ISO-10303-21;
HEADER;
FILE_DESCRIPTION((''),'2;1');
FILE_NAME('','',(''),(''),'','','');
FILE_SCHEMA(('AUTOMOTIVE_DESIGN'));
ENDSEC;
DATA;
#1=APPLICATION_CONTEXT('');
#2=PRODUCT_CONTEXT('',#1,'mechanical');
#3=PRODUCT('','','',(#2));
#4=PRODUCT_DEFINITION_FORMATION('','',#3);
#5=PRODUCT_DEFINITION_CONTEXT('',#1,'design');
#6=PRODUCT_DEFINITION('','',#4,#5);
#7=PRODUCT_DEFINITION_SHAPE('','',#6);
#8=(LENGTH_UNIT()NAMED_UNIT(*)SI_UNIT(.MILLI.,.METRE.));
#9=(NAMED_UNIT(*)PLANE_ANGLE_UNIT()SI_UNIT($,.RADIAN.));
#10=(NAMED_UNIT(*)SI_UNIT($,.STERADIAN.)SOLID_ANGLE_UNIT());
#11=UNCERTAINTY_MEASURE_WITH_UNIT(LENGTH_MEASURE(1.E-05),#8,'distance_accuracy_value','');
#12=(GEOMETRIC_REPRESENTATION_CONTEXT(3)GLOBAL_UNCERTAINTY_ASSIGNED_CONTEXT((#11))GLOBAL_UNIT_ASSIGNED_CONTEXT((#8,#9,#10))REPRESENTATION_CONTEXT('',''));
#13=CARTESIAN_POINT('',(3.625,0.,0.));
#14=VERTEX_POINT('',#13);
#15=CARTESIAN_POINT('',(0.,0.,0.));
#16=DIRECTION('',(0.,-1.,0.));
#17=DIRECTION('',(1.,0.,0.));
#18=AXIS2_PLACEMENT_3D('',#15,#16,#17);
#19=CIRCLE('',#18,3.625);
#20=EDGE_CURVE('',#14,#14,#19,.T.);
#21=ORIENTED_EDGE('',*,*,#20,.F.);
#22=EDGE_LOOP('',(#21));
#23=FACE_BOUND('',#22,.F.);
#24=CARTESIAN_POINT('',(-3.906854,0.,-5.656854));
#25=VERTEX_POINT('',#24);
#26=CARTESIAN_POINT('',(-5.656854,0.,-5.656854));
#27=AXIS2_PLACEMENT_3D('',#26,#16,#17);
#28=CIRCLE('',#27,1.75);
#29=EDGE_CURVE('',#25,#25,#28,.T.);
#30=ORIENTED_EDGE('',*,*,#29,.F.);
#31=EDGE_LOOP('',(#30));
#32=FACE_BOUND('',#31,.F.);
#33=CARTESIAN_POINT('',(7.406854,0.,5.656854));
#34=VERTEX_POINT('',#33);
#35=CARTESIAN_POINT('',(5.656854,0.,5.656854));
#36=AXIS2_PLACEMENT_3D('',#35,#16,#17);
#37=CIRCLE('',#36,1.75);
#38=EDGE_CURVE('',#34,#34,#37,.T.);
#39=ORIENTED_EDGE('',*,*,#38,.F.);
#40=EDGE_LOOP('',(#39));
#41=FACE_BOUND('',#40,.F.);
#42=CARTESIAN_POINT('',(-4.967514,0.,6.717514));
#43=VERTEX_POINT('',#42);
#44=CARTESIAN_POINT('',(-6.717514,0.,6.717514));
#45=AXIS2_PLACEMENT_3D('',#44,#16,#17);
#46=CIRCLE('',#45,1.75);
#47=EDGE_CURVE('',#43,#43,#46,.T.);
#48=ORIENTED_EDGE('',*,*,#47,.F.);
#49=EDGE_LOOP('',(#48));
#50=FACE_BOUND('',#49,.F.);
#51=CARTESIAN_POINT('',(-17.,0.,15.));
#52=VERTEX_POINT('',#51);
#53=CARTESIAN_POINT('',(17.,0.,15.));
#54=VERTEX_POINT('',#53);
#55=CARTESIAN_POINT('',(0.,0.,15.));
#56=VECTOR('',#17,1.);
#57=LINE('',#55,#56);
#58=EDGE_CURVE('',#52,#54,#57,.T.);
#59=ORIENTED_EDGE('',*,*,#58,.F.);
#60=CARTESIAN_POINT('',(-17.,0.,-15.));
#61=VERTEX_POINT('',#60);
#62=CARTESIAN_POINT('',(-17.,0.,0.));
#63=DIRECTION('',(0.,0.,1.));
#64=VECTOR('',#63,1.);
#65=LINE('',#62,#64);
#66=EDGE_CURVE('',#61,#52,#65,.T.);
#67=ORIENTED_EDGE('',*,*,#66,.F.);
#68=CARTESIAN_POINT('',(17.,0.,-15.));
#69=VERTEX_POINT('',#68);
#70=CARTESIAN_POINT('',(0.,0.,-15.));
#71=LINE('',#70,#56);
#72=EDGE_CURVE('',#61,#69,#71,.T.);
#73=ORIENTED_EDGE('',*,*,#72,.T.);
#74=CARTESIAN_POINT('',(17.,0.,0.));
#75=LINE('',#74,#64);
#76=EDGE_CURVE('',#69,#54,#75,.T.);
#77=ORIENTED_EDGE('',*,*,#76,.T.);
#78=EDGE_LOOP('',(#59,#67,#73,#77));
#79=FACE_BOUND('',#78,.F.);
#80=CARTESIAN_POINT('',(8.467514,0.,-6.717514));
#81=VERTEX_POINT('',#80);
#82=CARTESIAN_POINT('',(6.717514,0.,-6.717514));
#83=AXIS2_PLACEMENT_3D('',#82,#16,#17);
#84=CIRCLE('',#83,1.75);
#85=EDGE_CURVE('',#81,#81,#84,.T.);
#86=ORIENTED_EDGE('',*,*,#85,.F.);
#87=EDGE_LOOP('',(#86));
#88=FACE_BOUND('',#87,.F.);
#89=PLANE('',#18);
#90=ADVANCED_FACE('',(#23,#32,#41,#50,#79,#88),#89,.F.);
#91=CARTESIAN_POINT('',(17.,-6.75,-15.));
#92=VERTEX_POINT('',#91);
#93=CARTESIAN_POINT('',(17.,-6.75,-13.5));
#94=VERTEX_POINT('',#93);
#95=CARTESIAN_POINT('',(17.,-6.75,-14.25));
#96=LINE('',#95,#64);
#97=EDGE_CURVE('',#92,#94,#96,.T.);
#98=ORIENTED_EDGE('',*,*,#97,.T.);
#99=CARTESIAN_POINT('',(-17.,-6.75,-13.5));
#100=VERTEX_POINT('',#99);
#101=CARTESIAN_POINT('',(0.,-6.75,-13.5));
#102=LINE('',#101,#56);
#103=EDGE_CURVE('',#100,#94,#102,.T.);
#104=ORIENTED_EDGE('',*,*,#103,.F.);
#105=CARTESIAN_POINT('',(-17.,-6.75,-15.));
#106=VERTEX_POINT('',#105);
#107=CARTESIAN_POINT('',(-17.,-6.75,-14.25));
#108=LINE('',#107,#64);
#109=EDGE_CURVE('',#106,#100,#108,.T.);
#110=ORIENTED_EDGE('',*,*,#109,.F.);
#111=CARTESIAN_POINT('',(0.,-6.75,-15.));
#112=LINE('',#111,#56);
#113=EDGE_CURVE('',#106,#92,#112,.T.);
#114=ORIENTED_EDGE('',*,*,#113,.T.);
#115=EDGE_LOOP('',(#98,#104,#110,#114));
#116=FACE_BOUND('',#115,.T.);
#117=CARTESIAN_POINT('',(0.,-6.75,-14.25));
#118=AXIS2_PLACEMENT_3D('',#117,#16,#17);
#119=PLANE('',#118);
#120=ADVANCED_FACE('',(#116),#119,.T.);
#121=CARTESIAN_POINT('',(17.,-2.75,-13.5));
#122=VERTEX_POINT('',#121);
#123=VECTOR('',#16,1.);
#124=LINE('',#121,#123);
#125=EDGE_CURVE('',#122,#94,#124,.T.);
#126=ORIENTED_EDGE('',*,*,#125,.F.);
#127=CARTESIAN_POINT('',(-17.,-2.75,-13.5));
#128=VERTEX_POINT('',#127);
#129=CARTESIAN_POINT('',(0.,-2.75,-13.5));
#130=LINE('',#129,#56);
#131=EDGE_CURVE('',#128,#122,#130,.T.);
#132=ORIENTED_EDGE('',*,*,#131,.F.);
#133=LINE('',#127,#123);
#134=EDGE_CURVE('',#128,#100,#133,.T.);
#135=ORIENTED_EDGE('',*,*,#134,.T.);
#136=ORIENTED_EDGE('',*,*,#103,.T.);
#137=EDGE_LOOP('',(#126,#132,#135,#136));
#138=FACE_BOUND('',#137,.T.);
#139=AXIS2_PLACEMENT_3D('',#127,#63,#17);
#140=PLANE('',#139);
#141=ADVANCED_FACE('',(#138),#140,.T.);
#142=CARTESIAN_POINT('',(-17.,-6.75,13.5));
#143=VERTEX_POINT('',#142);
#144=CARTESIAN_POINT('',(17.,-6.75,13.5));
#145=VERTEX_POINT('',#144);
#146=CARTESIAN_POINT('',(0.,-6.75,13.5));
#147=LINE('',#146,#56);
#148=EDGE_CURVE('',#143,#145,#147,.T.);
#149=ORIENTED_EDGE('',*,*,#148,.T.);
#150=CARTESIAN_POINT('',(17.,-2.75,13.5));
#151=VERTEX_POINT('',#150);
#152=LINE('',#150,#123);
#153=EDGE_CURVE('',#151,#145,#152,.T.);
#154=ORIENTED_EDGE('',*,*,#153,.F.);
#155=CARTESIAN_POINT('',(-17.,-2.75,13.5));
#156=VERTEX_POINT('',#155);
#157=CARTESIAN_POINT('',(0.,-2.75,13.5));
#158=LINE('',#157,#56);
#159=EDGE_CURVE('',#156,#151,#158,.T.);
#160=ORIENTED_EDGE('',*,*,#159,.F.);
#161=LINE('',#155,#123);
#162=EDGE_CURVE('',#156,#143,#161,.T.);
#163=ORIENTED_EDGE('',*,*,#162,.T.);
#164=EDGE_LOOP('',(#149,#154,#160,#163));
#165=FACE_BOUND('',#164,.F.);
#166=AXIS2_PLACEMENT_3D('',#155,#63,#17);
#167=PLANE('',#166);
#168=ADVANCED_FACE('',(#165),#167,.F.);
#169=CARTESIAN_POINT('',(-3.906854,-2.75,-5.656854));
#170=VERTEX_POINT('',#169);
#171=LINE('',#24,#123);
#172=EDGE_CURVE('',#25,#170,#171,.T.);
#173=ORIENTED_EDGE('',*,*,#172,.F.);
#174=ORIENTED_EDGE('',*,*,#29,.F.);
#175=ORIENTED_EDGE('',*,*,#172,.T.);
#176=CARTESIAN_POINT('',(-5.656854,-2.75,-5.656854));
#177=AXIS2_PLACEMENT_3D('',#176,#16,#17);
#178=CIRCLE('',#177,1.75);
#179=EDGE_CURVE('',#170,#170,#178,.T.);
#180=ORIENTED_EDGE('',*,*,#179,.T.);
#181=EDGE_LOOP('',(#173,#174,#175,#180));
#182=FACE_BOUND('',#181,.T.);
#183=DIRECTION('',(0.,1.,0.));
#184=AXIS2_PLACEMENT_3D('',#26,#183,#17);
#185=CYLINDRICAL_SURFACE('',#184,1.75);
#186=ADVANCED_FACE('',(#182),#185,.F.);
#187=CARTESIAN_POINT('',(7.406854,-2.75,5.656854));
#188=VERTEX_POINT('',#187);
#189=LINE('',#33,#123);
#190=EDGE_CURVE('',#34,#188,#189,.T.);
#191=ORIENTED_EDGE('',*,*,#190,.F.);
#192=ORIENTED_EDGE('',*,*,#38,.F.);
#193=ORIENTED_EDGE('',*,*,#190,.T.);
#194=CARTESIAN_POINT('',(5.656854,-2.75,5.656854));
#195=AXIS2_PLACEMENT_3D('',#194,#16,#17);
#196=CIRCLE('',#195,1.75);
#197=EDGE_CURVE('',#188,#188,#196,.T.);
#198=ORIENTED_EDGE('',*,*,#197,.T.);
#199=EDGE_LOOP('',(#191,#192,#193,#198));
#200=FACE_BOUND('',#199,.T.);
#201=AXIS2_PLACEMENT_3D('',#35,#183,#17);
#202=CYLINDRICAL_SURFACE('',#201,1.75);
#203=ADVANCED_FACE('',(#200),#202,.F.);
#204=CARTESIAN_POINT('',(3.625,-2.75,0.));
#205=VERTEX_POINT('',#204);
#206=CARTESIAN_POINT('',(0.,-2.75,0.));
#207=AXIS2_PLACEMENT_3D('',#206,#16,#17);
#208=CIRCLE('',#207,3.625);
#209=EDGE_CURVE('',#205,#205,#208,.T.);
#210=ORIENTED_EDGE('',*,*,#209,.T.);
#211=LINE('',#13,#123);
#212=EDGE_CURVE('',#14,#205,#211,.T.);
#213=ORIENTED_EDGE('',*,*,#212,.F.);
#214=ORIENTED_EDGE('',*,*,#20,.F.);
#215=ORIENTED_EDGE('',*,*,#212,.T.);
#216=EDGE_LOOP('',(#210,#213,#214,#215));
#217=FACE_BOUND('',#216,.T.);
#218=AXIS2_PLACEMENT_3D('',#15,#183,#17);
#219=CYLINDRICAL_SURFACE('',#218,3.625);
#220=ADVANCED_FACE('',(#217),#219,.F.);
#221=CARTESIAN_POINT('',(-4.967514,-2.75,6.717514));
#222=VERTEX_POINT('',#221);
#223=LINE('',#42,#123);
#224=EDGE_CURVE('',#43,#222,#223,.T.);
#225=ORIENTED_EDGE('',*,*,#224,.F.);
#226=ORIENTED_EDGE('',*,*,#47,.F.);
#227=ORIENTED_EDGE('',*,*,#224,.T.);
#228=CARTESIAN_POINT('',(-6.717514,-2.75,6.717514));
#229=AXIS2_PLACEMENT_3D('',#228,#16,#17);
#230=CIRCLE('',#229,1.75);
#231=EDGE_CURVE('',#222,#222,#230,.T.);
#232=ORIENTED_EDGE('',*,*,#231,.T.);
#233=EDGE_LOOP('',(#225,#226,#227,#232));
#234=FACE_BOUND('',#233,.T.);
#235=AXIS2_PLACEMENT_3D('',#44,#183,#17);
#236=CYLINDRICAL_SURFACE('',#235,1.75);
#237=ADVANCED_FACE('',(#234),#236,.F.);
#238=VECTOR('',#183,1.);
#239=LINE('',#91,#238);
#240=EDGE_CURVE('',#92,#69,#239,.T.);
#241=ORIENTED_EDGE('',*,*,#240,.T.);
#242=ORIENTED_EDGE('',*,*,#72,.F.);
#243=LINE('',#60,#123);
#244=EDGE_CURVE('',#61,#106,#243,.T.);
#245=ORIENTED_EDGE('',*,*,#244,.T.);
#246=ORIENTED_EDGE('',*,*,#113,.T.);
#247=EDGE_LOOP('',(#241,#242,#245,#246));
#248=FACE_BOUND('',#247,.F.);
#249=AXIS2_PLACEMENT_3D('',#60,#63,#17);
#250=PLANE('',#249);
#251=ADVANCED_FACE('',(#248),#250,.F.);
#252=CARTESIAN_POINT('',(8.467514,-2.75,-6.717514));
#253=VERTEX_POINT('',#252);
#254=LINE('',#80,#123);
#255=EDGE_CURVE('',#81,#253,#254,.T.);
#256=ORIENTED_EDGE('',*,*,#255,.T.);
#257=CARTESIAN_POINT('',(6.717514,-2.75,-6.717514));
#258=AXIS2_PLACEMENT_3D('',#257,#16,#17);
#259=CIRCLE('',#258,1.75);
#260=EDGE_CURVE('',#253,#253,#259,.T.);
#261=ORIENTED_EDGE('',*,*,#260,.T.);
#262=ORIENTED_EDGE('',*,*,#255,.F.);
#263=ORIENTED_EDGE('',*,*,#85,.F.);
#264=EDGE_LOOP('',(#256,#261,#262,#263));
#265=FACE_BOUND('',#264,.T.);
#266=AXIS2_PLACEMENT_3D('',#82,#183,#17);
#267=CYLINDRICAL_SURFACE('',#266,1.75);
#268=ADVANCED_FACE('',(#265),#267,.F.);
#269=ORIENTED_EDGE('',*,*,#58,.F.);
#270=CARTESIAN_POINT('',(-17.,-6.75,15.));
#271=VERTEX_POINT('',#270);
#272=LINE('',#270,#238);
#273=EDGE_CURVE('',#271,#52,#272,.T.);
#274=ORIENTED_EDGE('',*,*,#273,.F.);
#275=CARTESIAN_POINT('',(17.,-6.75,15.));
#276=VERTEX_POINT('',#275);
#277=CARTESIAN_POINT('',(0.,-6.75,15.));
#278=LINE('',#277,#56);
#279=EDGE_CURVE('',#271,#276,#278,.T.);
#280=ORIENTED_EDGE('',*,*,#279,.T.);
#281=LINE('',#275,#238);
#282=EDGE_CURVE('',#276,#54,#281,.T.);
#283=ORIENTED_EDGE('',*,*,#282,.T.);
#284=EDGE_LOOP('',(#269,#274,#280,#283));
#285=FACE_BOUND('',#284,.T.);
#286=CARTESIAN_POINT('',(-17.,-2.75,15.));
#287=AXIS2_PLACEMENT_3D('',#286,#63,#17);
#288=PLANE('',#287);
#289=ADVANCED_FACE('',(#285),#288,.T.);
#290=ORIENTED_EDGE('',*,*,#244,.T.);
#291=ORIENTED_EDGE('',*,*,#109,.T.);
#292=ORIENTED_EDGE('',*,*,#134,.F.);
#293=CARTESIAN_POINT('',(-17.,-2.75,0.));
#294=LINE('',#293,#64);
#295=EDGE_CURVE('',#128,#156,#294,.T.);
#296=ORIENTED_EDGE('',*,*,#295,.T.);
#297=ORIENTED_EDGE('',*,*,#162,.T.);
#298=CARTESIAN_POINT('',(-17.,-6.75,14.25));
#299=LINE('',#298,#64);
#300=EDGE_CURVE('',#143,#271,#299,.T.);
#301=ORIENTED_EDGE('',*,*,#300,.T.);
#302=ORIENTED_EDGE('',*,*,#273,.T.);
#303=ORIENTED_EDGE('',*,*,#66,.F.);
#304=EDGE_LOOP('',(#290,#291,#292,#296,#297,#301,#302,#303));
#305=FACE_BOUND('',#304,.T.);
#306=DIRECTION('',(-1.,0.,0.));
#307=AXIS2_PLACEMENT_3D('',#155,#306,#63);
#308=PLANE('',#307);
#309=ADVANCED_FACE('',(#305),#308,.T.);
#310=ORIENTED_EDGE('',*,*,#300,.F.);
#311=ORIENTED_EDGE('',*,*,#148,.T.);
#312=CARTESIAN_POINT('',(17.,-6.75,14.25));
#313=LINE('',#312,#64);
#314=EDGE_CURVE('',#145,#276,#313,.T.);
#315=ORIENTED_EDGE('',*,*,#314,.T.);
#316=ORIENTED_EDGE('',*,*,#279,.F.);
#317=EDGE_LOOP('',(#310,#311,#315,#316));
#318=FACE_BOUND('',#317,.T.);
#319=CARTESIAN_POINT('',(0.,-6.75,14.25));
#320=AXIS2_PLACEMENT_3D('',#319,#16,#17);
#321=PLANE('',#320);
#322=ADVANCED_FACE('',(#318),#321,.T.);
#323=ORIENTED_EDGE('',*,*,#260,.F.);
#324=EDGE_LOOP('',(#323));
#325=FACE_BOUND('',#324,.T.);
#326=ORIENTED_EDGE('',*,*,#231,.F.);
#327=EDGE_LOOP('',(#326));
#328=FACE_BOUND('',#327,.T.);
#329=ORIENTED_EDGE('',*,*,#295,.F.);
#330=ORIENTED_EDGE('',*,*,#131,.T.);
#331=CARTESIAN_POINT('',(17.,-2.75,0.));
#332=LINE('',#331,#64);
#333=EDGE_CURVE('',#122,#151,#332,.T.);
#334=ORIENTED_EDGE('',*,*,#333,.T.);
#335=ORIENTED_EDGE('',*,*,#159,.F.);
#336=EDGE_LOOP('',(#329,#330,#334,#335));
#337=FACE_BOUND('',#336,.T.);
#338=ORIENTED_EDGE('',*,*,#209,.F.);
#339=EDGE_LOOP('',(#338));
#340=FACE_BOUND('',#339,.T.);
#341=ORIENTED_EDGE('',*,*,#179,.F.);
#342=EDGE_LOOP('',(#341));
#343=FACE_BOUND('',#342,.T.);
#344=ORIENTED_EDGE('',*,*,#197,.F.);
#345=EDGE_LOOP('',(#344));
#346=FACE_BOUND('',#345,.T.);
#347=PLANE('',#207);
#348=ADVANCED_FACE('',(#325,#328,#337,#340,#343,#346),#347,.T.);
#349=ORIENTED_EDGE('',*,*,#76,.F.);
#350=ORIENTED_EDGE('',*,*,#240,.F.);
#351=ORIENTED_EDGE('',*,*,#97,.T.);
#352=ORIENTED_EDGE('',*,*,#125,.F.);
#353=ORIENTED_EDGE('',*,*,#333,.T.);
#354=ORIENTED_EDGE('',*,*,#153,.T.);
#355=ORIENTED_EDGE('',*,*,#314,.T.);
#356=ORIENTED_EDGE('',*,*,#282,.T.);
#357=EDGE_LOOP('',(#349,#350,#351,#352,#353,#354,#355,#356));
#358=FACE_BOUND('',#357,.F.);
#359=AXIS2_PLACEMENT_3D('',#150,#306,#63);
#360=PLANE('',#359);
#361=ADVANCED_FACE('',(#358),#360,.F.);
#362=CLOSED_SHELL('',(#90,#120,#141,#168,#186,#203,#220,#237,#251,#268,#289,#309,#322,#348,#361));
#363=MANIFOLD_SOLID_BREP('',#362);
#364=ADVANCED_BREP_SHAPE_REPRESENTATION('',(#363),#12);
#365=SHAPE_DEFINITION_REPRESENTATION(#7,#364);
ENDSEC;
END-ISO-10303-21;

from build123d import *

# Parameters (mm, degrees)
F0_W     = 34
F0_H     = 30
F0_R     = 1.75
F0_R_2   = 3.625
F1_DEPTH = 2.75
F2_W     = 34
F2_H     = 1.5
F3_DEPTH = 4


with BuildPart() as f1:
    # F0 (on Front) → F1 (new body)
    with BuildSketch(Plane.XZ):
        Rectangle(F0_W, F0_H)
        with Locations((-5.656854, -5.656854)):
            Circle(F0_R, mode=Mode.SUBTRACT)
        with Locations((6.717514, -6.717514)):
            Circle(F0_R, mode=Mode.SUBTRACT)
        with Locations((-6.717514, 6.717514)):
            Circle(F0_R, mode=Mode.SUBTRACT)
        Circle(F0_R_2, mode=Mode.SUBTRACT)
        with Locations((5.656854, 5.656854)):
            Circle(F0_R, mode=Mode.SUBTRACT)
    extrude(amount=F1_DEPTH)

    # F2 (on face) → F3 (join)
    with BuildSketch(Plane.XZ.offset(2.75)):
        with Locations((0, 14.25)):
            Rectangle(F2_W, F2_H)
        with Locations((0, -14.25)):
            Rectangle(F2_W, F2_H)
    extrude(amount=F3_DEPTH)


solid = f1.part
